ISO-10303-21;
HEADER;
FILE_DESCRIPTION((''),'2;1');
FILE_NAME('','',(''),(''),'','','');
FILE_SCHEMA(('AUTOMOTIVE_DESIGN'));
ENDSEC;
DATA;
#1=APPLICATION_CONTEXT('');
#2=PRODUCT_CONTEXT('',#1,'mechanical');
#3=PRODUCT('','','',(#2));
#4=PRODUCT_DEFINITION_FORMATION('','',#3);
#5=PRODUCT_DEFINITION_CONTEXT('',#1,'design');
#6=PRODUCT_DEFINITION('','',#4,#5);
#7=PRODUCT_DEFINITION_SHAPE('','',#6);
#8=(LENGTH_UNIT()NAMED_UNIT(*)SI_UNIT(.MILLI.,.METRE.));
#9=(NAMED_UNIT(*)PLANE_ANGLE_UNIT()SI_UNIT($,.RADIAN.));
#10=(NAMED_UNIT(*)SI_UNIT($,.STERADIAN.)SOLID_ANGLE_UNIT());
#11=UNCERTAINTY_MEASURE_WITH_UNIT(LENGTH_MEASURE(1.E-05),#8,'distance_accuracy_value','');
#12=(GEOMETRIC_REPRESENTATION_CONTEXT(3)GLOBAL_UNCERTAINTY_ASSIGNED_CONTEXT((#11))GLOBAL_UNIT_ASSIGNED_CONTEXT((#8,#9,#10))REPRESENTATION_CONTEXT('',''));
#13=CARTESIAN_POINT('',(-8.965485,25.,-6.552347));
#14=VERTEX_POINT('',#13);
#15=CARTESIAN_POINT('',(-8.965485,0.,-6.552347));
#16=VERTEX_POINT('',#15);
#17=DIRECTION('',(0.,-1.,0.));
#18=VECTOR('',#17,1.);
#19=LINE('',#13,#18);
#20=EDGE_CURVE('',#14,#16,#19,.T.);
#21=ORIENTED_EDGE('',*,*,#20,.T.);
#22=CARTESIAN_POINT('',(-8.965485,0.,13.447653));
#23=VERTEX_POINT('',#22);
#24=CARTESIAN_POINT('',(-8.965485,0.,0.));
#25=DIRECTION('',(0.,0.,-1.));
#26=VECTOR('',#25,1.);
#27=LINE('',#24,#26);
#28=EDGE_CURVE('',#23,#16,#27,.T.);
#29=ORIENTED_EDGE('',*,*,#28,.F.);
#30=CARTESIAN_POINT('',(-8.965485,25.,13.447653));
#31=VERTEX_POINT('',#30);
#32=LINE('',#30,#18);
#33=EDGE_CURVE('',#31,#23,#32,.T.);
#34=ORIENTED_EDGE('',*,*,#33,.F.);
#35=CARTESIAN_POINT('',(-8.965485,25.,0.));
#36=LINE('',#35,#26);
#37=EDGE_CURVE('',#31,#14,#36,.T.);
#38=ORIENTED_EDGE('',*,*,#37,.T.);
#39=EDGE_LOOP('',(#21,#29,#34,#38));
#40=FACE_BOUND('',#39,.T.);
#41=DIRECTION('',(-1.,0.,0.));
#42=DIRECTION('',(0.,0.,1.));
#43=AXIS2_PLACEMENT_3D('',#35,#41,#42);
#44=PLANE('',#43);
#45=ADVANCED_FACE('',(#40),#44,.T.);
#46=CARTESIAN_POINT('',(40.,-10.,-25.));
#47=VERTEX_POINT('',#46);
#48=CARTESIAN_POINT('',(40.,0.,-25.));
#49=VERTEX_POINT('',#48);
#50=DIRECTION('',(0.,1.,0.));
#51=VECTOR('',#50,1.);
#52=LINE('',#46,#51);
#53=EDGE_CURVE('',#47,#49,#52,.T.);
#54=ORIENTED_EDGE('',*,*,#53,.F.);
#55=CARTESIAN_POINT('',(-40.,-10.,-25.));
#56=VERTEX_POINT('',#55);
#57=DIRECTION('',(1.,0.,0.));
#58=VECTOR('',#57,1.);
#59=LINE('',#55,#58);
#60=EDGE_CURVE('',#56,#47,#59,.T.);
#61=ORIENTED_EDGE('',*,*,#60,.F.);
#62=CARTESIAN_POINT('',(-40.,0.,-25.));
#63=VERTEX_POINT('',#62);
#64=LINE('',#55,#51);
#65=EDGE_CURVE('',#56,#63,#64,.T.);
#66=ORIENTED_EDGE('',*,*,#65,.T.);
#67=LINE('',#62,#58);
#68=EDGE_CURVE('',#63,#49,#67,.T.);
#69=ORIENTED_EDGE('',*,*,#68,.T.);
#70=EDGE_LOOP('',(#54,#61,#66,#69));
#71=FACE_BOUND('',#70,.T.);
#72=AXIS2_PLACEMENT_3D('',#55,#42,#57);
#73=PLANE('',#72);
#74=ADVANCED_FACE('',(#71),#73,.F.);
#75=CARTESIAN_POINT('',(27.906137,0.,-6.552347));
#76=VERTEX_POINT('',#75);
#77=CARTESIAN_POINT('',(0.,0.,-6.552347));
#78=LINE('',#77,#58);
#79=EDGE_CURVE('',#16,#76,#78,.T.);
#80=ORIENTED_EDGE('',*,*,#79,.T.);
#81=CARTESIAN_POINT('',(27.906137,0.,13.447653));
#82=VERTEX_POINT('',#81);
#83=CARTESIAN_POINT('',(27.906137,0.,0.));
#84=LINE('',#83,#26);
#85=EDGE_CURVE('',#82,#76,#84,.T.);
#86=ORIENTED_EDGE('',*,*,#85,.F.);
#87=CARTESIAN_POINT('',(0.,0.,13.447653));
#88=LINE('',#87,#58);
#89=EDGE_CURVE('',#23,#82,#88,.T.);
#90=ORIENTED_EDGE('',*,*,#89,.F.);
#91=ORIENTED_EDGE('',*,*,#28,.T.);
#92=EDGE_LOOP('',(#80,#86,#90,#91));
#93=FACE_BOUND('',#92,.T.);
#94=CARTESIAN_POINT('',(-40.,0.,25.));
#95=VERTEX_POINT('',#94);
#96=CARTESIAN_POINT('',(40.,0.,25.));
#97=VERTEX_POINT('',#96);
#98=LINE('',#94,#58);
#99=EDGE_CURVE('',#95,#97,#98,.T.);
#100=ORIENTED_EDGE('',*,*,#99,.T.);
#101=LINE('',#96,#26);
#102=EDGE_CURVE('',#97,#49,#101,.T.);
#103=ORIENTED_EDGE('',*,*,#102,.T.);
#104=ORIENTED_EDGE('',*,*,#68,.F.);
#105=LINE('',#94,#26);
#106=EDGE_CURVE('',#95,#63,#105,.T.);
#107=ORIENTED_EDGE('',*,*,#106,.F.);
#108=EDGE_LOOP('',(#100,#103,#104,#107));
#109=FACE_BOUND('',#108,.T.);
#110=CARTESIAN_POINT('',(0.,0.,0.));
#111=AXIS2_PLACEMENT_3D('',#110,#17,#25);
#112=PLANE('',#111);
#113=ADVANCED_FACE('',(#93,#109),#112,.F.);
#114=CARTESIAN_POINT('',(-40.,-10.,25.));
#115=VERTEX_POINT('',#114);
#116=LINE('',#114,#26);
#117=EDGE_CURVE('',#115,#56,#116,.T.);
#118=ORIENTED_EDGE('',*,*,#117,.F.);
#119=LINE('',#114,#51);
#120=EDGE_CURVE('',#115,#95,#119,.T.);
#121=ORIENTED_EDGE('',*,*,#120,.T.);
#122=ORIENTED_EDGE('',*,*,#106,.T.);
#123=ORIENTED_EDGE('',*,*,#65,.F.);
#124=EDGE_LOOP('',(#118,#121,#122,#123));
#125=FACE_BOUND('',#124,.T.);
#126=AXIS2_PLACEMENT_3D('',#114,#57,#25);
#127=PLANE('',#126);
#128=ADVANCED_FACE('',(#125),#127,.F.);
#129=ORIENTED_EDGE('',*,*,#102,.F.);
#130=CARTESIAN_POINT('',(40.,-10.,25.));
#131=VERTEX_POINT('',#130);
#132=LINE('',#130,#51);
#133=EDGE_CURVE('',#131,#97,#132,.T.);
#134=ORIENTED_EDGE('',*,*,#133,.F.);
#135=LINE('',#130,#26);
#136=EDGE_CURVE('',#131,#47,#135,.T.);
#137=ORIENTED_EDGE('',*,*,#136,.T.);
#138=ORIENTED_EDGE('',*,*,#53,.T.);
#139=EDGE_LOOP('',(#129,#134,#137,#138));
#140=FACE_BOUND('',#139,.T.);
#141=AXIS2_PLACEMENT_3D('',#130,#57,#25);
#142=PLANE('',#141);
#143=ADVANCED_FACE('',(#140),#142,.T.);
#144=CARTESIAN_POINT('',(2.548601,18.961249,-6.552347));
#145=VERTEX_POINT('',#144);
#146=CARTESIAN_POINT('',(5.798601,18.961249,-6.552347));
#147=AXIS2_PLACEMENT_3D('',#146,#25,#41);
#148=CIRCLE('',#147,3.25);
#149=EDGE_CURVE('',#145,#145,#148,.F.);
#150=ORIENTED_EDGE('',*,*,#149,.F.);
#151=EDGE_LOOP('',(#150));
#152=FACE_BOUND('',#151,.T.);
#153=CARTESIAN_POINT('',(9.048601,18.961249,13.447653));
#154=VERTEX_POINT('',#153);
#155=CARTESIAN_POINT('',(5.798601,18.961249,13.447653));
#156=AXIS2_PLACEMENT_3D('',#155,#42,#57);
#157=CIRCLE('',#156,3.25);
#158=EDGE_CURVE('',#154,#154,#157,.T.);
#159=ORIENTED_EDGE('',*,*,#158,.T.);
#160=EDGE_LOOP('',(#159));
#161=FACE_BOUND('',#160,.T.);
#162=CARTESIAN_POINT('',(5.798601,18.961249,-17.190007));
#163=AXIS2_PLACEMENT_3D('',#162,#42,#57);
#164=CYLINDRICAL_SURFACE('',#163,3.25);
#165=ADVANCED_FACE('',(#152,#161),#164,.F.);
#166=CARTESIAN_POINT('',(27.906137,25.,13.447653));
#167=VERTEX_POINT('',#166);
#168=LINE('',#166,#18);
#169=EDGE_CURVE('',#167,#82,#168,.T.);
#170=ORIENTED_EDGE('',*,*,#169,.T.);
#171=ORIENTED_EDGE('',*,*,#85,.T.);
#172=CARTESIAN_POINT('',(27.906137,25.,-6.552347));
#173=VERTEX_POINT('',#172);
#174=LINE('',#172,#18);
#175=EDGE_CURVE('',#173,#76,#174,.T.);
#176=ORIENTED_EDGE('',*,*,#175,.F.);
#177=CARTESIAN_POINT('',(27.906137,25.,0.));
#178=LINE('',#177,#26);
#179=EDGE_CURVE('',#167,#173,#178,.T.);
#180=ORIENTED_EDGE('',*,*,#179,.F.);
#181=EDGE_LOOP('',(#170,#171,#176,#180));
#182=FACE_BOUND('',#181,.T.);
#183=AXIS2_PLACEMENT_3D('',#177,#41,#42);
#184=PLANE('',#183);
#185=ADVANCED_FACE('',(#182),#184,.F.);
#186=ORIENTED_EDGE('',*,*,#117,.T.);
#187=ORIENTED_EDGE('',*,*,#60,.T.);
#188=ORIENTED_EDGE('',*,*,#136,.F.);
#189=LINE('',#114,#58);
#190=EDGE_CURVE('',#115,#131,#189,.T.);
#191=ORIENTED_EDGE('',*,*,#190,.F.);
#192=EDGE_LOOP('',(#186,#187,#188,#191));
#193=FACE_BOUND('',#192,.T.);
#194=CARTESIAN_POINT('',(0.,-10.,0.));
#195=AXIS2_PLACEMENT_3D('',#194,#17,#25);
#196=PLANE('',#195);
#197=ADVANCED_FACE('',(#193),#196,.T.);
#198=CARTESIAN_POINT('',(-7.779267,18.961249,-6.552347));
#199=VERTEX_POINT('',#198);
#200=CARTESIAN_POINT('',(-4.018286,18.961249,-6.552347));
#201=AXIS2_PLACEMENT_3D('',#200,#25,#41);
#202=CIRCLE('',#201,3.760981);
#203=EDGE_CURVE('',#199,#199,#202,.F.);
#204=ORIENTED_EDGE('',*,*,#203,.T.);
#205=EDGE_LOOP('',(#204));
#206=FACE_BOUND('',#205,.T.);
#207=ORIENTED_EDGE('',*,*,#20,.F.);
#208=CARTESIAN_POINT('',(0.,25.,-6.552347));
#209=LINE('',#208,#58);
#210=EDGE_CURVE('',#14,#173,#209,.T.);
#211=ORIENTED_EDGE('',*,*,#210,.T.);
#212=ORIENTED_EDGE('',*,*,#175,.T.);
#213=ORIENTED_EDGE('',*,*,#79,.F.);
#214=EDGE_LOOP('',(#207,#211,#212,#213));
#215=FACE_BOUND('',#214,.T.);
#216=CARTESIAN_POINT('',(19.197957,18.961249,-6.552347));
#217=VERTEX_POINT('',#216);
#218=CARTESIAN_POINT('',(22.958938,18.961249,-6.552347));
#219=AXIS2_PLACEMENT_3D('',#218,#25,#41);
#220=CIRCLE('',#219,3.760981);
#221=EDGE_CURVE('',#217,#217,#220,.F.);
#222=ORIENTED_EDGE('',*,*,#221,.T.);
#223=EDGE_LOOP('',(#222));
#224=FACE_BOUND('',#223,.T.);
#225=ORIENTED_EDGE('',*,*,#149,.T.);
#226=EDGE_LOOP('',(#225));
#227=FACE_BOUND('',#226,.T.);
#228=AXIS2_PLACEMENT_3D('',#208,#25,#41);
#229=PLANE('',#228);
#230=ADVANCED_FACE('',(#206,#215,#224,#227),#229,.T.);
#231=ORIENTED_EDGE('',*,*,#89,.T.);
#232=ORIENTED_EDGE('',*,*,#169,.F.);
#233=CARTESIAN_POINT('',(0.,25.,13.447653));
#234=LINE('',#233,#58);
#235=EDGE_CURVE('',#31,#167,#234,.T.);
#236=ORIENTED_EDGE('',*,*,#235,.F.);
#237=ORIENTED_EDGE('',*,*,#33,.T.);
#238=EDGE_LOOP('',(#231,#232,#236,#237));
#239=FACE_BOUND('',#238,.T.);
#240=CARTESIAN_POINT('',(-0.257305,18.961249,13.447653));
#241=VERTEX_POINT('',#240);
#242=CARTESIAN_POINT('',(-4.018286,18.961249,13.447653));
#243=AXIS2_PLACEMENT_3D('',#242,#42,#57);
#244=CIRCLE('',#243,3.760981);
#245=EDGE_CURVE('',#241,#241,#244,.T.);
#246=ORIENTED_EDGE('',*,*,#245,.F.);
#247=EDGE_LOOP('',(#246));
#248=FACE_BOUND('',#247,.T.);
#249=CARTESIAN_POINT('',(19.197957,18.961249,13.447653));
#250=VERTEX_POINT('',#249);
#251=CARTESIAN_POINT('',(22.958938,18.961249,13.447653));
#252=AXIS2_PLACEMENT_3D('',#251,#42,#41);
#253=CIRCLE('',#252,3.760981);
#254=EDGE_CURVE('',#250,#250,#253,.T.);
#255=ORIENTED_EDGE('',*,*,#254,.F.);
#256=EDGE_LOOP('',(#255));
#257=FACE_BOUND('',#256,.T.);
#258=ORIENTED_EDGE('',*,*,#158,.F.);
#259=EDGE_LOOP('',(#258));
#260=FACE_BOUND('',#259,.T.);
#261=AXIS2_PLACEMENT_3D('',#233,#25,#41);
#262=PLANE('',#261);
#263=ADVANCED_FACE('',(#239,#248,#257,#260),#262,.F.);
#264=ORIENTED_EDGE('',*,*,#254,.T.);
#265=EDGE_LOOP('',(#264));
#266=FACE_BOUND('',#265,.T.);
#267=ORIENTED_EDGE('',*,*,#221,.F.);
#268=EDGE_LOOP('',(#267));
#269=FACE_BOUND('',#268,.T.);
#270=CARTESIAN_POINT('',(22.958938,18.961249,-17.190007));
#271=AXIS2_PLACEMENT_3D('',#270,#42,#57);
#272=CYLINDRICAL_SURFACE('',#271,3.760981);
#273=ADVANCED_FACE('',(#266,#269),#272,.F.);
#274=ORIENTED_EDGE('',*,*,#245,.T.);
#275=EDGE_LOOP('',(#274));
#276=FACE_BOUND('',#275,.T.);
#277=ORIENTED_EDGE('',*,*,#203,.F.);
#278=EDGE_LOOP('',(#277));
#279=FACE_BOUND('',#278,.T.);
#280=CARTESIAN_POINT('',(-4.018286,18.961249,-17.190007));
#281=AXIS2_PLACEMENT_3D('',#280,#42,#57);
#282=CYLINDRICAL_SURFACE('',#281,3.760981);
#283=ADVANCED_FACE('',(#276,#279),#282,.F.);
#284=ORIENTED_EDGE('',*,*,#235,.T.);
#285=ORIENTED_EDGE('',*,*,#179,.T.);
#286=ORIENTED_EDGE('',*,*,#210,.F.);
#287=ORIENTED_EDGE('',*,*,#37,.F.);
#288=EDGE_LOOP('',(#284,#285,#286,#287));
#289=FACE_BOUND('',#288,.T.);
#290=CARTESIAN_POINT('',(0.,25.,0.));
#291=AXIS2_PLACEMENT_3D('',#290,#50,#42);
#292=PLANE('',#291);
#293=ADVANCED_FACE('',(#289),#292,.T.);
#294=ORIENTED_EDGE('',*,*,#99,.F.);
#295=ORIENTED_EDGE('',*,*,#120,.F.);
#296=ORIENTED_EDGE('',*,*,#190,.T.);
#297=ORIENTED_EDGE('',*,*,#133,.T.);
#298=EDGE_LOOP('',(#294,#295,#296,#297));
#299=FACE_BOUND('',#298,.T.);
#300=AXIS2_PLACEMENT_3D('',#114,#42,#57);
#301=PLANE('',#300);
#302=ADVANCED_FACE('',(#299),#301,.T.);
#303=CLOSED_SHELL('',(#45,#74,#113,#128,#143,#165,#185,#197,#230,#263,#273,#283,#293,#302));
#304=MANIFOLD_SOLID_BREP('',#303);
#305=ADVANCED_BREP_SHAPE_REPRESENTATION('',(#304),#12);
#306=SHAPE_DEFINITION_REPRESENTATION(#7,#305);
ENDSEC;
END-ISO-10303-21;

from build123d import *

# Parameters (mm, degrees)
SKETCH1_W           = 80
SKETCH1_H           = 50
MAIN_PLATE_DEPTH    = 10
SKETCH1_3_W         = 36.871622478
SKETCH1_3_H         = 20
BOSS_EXTRUDE2_DEPTH = 25
SKETCH2_R           = 3.760980907
SKETCH2_R_2         = 3.25
CUT_EXTRUDE1_DEPTH  = 20


with BuildPart() as part:
    # Sketch1 → Main Plate (new body)
    with BuildSketch(Plane(origin=(0, 0, 0), x_dir=(1, 0, 0), z_dir=(0, 1, 0))):
        Rectangle(SKETCH1_W, SKETCH1_H)
    extrude(amount=-MAIN_PLATE_DEPTH)

    # Sketch1<3> → Boss-Extrude2 (add)
    with BuildSketch(Plane(origin=(0, 0, 0), x_dir=(1, 0, 0), z_dir=(0, 1, 0))):
        with Locations((9.470325945, -3.44765343)):
            Rectangle(SKETCH1_3_W, SKETCH1_3_H)
    extrude(amount=BOSS_EXTRUDE2_DEPTH)

    # Sketch2 → Cut-Extrude1 (cut)
    with BuildSketch(Plane.XY.offset(13.44765343)):
        with Locations((-4.018286342, 18.961248544)):
            Circle(SKETCH2_R)
        with Locations(Location((22.958938232, 18.961248544, 0), (0, 0, 180))):
            Circle(SKETCH2_R)
        with Locations((5.79860133, 18.961248544)):
            Circle(SKETCH2_R_2)
    extrude(amount=-CUT_EXTRUDE1_DEPTH, mode=Mode.SUBTRACT)


solid = part.part
